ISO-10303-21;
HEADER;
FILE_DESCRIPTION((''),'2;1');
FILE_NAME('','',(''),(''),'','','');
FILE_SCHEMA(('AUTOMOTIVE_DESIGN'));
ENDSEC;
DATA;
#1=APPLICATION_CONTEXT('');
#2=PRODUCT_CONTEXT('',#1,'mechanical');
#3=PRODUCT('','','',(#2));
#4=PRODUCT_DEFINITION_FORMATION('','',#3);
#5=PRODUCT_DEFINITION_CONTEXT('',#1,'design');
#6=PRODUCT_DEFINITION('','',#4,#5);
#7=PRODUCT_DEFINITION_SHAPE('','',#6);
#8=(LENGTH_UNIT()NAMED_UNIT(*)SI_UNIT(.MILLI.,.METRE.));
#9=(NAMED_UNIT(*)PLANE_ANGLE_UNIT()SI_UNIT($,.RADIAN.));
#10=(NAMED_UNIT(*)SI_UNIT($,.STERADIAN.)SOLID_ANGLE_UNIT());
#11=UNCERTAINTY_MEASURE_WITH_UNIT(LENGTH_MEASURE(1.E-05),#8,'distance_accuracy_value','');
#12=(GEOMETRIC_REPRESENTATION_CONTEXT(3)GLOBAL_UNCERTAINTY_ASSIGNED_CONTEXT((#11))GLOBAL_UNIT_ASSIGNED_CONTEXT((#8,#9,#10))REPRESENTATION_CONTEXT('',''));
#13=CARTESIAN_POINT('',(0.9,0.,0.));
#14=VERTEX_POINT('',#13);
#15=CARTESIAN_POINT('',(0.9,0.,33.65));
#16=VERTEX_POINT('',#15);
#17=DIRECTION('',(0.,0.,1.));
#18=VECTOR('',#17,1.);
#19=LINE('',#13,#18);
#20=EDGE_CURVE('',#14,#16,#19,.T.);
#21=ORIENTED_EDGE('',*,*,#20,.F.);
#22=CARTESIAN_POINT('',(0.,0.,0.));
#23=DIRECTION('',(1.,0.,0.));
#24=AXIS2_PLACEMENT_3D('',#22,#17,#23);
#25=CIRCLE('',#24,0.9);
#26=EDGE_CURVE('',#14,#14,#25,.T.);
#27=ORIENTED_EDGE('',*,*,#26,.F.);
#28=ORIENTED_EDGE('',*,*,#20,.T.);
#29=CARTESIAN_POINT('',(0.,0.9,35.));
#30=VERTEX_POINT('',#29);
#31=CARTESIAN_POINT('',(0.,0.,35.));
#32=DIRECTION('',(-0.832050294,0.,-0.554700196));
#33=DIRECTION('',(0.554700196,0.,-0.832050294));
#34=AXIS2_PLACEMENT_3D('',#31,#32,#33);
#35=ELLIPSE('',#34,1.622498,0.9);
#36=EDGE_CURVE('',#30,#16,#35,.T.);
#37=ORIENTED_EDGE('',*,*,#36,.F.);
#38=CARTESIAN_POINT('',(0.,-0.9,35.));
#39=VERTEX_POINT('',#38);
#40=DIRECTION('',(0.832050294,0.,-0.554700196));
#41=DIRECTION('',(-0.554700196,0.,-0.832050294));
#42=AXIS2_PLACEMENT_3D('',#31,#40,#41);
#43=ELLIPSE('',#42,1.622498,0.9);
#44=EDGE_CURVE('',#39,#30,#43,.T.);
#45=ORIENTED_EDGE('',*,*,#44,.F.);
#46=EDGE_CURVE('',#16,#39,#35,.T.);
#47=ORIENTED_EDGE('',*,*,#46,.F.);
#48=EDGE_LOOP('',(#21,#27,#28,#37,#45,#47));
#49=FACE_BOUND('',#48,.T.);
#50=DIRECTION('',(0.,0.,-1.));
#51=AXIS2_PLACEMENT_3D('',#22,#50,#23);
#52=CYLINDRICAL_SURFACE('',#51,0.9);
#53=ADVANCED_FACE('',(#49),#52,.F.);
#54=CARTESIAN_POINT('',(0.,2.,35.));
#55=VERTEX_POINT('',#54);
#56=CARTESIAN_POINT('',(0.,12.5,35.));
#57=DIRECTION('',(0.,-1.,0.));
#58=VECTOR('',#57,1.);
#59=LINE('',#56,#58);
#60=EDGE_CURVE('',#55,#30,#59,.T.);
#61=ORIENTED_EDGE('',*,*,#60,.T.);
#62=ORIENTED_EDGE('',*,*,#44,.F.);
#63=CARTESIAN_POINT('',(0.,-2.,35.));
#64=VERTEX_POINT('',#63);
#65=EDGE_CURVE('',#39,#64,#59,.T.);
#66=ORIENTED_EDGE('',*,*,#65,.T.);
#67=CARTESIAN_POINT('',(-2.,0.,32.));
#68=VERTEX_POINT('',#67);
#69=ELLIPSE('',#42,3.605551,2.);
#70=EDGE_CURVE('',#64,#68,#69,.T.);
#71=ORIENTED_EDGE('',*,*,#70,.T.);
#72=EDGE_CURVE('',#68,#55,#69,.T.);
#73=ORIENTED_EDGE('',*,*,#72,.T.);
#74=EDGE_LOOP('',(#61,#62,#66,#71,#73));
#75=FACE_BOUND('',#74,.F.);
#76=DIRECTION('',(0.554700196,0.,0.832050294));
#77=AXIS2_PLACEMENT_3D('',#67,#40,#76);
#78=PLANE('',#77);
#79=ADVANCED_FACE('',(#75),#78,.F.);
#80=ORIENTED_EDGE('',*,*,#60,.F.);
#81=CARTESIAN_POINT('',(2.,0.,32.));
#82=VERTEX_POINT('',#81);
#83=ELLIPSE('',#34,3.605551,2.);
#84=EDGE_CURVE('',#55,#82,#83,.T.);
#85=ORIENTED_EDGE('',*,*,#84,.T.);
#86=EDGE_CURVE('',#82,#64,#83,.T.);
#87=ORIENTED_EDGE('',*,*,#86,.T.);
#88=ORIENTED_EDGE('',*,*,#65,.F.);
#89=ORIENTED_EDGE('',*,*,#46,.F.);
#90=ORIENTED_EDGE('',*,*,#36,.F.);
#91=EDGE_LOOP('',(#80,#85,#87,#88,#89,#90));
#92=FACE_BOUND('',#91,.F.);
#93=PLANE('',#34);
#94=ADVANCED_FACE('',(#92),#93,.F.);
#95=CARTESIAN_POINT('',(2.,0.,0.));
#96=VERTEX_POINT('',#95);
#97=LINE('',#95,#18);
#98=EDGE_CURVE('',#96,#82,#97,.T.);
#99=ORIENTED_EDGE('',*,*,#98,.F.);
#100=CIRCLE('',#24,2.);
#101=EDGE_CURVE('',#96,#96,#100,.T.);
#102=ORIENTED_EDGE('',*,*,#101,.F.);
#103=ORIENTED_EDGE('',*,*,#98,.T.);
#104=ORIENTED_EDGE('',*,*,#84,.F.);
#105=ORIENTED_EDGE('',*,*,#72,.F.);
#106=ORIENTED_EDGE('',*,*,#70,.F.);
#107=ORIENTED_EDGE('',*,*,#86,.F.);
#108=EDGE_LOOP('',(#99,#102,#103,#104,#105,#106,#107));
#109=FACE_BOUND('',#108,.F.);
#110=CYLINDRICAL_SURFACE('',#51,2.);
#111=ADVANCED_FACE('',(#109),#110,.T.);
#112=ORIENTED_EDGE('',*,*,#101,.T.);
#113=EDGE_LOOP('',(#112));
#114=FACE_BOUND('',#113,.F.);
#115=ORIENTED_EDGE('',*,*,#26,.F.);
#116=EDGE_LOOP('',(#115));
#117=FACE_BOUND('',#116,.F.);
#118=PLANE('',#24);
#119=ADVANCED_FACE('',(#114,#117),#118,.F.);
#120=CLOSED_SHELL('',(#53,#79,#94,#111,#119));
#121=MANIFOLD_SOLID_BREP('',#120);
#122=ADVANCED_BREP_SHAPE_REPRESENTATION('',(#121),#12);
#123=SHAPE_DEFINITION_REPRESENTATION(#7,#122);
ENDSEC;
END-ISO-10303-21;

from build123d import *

# Parameters (mm, degrees)
F0_R     = 2
F0_R_2   = 0.9
F1_DEPTH = 35
F3_DEPTH = 12.5


with BuildPart() as f1:
    # F0 (on Top) → F1 (new body)
    with BuildSketch(Plane.XY):
        Circle(F0_R)
        Circle(F0_R_2, mode=Mode.SUBTRACT)
    extrude(amount=F1_DEPTH)

    # F2 (on Front) → F3 (cut, symmetric)
    with BuildSketch(Plane.XZ):
        Polygon((2, 35), (0, 35), (2, 32), align=None)
        Polygon((-2, 32), (0, 35), (-2, 35), align=None)
    extrude(amount=F3_DEPTH, both=True, mode=Mode.SUBTRACT)


solid = f1.part
